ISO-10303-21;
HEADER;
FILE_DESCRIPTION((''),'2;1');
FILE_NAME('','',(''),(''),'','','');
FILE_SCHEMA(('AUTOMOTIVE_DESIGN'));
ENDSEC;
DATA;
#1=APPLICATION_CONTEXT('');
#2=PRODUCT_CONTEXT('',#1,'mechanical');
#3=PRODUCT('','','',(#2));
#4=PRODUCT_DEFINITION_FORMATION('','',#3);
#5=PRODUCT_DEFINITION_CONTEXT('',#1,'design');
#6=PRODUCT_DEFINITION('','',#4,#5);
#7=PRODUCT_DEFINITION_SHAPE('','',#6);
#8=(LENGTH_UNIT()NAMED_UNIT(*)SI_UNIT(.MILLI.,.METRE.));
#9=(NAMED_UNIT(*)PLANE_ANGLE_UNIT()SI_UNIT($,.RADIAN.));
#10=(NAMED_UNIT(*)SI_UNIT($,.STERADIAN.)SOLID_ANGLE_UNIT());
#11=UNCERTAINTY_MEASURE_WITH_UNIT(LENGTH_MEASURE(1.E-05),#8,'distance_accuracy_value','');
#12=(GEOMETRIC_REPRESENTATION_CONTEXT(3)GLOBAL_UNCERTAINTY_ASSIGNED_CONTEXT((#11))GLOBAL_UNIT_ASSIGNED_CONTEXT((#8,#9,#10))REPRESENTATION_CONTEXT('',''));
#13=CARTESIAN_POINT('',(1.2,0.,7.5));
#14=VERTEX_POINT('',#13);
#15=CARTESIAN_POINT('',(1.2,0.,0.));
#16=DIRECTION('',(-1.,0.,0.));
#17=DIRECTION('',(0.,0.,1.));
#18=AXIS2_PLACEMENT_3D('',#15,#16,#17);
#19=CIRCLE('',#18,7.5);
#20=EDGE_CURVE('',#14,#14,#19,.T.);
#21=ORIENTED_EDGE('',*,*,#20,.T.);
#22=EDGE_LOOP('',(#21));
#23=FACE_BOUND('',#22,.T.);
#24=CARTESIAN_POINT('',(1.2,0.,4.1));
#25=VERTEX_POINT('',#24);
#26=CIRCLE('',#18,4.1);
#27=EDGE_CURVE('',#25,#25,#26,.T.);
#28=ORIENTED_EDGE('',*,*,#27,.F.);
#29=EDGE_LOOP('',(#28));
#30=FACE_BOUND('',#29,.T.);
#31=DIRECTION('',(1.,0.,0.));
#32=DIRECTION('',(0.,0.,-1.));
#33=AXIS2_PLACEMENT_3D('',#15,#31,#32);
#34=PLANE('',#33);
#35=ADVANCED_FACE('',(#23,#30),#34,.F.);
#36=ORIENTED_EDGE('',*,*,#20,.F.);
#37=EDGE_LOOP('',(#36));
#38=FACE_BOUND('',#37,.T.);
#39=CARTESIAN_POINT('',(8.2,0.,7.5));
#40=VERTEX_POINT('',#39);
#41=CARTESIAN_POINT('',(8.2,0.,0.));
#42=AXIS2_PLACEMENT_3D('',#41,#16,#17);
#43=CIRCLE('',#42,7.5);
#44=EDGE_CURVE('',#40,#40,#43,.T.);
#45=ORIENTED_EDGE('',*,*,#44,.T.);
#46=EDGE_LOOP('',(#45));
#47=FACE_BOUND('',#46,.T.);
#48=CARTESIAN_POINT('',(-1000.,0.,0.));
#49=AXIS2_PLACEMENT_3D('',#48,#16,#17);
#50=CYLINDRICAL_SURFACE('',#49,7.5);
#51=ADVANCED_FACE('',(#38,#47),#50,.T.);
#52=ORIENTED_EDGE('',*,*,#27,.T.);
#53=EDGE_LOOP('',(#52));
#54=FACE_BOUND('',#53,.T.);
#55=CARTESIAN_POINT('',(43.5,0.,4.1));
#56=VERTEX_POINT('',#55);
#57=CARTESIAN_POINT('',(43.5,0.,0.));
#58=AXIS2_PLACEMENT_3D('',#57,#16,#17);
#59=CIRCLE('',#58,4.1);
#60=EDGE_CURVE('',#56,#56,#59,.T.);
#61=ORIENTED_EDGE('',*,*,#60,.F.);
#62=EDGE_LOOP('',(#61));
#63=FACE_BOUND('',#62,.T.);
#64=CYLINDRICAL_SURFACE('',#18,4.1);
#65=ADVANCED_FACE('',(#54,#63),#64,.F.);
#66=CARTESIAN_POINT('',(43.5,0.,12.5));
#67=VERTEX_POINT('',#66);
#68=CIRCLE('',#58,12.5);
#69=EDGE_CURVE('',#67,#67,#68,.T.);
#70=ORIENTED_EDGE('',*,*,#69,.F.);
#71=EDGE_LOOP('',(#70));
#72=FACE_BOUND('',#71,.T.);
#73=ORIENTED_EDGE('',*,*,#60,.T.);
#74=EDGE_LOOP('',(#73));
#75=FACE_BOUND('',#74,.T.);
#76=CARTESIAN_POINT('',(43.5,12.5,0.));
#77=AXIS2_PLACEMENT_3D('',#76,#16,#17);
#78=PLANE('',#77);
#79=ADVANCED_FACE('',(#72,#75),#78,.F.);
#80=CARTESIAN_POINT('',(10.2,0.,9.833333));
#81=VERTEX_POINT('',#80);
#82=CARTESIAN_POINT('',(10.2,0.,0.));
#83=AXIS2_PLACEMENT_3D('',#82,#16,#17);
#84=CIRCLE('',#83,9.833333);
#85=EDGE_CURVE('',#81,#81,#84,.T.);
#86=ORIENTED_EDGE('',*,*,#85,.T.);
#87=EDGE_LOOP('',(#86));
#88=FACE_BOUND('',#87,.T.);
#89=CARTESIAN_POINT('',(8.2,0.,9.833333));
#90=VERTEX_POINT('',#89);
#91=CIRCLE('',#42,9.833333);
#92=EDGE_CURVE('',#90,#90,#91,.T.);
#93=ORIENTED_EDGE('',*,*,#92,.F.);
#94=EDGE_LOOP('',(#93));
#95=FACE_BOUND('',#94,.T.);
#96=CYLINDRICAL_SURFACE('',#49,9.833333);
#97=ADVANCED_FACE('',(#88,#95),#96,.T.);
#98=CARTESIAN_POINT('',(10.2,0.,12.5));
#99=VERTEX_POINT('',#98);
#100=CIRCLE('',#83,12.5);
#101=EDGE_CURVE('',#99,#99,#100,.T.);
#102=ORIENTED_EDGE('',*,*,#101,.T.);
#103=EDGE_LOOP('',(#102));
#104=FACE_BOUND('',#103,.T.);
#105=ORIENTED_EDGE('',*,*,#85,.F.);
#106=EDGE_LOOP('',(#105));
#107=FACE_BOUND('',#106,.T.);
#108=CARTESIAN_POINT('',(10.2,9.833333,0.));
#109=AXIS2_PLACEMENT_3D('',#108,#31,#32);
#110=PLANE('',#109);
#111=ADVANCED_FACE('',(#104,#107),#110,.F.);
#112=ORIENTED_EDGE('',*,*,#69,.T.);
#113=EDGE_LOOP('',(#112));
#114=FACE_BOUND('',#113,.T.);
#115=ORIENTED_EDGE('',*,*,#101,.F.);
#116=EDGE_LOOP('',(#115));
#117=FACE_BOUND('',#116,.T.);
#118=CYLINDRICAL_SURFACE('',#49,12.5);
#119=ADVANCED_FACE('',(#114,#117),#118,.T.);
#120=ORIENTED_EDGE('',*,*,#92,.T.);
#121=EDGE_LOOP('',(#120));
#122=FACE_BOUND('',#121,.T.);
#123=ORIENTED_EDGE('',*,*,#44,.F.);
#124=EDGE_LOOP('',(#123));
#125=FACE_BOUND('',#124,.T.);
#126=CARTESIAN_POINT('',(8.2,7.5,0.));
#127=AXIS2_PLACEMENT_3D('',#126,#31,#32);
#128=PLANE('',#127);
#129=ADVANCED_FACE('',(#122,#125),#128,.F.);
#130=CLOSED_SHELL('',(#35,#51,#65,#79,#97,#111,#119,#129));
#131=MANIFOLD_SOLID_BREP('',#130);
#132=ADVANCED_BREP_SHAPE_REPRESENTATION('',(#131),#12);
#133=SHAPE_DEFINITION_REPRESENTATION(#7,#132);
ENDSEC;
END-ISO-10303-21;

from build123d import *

# Parameters (mm, degrees)
HOLE_WIZARD_8_2_8_2_1_D = 8.2


with BuildPart() as part:
    # Эскиз1 → Повернуть1 (revolve)
    with BuildSketch(Plane.XY):
        Polygon((1.2, 0), (1.2, 7.5), (8.2, 7.5), (8.2, 9.833333333), (10.2, 9.833333333), (10.2, 12.5), (43.5, 12.5), (43.5, 0), align=None)
    revolve(axis=Axis((-1000, 0, 0), (1, 0, 0)))

    # Диаметр отверстия Ø8.2 (8.2)1 (through all)
    with Locations(Plane.ZY.offset(-1.2)):
        with Locations((0, 0)):
            Hole(HOLE_WIZARD_8_2_8_2_1_D / 2)


solid = part.part
